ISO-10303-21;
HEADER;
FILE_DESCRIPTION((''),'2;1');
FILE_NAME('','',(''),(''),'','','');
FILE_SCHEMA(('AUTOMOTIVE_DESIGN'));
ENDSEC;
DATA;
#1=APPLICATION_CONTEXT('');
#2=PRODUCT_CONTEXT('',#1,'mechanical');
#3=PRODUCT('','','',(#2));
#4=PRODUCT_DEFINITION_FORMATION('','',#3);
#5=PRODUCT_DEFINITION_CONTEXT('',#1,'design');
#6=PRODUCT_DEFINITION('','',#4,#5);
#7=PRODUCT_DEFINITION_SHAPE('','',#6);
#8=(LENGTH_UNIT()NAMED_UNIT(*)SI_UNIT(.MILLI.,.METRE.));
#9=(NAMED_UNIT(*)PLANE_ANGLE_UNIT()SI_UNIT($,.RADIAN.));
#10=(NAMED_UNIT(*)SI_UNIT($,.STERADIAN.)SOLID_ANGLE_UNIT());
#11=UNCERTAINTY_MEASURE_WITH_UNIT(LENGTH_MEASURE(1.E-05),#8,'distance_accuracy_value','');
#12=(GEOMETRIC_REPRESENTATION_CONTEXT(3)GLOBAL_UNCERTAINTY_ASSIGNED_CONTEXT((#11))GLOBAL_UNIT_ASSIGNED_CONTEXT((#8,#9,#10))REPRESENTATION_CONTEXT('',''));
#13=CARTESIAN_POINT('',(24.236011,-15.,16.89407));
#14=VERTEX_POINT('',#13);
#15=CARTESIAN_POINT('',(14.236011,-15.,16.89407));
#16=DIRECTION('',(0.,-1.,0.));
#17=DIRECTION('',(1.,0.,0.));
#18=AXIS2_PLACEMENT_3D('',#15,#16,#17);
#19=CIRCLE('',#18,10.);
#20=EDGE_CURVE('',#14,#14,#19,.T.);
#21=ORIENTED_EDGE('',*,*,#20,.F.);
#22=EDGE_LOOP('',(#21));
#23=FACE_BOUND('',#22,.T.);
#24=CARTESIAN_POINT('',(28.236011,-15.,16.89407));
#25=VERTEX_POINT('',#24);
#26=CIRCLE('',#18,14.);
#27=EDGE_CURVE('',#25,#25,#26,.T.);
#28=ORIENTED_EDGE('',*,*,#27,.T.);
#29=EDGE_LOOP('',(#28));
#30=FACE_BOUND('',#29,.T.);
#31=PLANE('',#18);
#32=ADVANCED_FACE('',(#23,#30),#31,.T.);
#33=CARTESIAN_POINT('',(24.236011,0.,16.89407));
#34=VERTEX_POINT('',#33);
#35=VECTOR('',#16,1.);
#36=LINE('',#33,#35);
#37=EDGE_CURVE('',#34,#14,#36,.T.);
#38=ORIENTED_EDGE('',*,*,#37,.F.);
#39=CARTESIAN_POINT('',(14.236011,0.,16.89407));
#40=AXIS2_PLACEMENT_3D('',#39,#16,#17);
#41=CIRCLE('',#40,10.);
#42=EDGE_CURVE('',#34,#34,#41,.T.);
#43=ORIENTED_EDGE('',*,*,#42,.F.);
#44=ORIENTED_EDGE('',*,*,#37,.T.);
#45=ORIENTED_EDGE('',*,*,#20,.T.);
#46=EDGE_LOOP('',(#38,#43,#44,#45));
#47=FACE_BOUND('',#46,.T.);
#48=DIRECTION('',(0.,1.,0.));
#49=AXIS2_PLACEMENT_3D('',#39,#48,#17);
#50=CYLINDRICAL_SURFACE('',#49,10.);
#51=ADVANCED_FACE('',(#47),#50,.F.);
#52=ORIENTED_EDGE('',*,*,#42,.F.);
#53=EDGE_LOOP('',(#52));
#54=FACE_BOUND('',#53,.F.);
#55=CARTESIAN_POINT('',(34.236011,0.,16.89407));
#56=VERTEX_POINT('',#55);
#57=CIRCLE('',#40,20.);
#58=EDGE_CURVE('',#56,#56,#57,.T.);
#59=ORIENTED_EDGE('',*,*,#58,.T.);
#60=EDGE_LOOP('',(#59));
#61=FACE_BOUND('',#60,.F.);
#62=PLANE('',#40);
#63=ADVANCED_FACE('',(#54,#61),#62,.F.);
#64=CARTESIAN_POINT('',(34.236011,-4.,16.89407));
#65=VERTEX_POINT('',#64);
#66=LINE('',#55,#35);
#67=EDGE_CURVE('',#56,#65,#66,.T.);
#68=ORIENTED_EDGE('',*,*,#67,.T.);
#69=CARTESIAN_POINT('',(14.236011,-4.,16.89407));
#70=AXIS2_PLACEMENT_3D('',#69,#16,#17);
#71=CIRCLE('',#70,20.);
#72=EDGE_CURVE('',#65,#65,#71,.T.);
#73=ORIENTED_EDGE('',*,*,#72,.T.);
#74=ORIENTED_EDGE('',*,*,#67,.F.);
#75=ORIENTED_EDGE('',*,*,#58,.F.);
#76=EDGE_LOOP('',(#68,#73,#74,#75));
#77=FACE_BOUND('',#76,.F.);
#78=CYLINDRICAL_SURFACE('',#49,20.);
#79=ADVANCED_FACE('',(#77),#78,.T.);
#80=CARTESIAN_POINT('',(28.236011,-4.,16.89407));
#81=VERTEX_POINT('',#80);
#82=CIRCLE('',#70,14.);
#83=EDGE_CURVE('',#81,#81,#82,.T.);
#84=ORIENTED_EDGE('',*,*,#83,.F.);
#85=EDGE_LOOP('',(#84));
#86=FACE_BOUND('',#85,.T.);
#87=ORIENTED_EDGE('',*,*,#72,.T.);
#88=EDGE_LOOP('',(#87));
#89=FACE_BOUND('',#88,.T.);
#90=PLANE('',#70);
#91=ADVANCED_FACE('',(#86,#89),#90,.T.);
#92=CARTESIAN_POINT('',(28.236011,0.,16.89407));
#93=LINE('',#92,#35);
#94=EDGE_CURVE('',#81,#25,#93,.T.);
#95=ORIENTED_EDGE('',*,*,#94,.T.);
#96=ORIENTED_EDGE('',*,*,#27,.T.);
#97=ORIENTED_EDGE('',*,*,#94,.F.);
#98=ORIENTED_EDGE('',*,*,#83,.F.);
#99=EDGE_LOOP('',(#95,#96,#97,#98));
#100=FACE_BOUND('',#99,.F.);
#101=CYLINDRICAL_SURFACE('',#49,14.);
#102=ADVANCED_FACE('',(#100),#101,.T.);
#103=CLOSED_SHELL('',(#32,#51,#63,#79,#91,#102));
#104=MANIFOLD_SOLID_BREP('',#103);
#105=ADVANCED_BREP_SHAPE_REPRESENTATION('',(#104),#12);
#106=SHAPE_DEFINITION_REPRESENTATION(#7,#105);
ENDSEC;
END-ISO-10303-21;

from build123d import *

# Parameters (mm, degrees)
F0_R     = 20
F0_R_2   = 14
F1_DEPTH = 4
F0_R_3   = 10
F2_DEPTH = 15


with BuildPart() as f1:
    # F0 (on Front) → F1 (new body)
    with BuildSketch(Plane.XZ):
        with Locations((14.236011, 16.89407)):
            Circle(F0_R)
        with Locations((14.236011, 16.89407)):
            Circle(F0_R_2, mode=Mode.SUBTRACT)
    extrude(amount=F1_DEPTH)

    # F0 (on Front) → F2 (join)
    with BuildSketch(Plane.XZ):
        with Locations((14.236011, 16.89407)):
            Circle(F0_R_2)
        with Locations((14.236011, 16.89407)):
            Circle(F0_R_3, mode=Mode.SUBTRACT)
    extrude(amount=F2_DEPTH)


solid = f1.part
